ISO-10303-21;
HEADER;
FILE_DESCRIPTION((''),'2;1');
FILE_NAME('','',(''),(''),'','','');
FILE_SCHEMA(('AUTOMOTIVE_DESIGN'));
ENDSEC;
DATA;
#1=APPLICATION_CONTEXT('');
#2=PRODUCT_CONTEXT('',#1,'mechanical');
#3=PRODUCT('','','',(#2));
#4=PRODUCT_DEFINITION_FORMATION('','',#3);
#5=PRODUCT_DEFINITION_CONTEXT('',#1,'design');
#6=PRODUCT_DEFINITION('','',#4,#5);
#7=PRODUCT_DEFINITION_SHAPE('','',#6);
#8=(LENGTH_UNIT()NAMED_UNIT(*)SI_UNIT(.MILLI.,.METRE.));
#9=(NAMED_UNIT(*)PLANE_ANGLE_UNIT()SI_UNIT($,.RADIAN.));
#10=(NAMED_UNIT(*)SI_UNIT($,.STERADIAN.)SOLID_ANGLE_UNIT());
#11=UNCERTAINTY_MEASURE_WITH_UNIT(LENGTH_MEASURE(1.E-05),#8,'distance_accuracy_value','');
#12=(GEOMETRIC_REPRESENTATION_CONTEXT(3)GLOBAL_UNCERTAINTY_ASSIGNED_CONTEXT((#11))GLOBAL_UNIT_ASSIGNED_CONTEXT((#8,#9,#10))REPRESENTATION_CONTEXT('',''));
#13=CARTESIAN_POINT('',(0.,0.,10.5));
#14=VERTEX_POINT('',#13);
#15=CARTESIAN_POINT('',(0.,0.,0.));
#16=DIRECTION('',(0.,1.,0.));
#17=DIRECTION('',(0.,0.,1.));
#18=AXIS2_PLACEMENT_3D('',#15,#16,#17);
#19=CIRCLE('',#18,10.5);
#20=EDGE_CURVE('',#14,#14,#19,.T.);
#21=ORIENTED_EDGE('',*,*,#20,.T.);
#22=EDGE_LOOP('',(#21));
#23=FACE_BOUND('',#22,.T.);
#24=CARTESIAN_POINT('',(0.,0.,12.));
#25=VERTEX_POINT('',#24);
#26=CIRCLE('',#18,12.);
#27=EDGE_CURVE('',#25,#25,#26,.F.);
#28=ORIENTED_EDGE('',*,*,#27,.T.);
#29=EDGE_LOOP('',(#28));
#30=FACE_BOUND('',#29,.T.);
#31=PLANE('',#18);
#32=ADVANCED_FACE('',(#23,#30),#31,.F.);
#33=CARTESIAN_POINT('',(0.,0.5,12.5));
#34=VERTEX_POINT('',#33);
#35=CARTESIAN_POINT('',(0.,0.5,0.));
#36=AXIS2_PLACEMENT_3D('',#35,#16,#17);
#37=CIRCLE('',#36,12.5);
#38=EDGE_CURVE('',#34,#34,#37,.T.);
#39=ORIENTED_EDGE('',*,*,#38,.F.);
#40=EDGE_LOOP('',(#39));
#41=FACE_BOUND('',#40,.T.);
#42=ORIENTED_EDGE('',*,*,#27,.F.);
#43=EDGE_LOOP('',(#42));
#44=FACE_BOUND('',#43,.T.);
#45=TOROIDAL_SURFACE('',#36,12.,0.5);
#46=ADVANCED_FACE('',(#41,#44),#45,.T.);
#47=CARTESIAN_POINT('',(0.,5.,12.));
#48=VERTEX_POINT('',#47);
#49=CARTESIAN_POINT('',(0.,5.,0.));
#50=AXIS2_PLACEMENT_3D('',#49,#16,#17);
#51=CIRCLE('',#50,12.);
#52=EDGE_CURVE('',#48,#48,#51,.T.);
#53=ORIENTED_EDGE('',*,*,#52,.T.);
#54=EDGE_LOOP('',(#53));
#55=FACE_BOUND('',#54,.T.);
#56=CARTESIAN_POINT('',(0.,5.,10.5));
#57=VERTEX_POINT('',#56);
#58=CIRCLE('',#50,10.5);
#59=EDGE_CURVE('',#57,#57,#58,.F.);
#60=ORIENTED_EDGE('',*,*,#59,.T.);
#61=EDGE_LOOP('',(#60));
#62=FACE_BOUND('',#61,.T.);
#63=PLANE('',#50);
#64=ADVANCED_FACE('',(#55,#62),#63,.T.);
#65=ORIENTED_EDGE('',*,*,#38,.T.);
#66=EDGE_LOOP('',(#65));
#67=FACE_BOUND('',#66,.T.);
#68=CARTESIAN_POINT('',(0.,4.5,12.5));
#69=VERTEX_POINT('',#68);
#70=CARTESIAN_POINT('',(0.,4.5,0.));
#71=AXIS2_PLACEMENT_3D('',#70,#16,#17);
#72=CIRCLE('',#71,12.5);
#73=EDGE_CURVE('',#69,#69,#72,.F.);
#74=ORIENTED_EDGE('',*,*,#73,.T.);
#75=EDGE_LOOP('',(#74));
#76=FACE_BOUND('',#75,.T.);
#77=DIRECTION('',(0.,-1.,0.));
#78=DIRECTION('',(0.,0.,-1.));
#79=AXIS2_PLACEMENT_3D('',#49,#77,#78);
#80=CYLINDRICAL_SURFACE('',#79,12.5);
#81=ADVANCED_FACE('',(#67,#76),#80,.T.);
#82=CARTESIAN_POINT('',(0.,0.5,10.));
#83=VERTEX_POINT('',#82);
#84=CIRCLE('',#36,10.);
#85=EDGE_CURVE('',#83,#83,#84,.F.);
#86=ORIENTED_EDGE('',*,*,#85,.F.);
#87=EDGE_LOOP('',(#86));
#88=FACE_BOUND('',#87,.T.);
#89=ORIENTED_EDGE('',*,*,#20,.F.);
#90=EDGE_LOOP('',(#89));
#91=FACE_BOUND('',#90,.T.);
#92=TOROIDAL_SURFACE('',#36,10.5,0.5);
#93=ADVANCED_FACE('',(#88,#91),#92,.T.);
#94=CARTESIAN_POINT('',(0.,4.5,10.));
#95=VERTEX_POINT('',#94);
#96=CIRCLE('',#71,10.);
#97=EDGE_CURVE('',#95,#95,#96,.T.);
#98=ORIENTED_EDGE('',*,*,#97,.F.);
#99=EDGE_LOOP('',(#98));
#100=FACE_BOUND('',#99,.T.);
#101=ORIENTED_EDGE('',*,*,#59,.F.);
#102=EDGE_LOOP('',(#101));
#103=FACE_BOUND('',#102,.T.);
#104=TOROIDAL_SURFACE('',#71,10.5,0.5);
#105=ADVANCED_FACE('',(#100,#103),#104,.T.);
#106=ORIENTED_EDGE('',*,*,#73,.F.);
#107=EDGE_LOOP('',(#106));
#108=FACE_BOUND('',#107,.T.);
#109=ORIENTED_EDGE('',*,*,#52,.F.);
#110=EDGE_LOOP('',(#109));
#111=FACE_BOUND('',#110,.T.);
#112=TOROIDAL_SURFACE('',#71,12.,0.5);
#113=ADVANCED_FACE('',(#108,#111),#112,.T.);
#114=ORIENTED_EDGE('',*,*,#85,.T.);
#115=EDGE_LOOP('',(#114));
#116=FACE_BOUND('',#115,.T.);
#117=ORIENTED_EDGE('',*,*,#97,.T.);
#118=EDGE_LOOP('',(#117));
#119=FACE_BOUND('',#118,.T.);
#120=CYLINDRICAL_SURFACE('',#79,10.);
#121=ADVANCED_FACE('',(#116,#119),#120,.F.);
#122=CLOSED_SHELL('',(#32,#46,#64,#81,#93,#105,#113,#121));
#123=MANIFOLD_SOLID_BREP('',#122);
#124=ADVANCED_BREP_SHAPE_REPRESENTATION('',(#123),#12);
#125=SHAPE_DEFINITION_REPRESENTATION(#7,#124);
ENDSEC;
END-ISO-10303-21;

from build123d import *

# Parameters (mm, degrees)
ESQUISSE1_R        = 12.5
ESQUISSE1_R_2      = 10
BOSS_EXTRU_1_DEPTH = 5
CONG_1_R           = 0.5


with BuildPart() as part:
    # Esquisse1 → Boss.-Extru.1 (new body)
    with BuildSketch(Plane(origin=(0, 0, 0), x_dir=(1, 0, 0), z_dir=(0, 1, 0))):
        with Locations(Location((0, 0, 0), (0, 0, 270))):
            Circle(ESQUISSE1_R)
        with Locations(Location((0, 0, 0), (0, 0, 270))):
            Circle(ESQUISSE1_R_2, mode=Mode.SUBTRACT)
    extrude(amount=BOSS_EXTRU_1_DEPTH)

    # Congé1
    cong_1_edges = [part.edges().sort_by_distance(p)[0] for p in [
        (0, 0, -12.5),
        (0, 5, -12.5),
        (0, 0, -10),
        (0, 5, -10),
    ]]
    fillet(cong_1_edges, radius=CONG_1_R)


solid = part.part
